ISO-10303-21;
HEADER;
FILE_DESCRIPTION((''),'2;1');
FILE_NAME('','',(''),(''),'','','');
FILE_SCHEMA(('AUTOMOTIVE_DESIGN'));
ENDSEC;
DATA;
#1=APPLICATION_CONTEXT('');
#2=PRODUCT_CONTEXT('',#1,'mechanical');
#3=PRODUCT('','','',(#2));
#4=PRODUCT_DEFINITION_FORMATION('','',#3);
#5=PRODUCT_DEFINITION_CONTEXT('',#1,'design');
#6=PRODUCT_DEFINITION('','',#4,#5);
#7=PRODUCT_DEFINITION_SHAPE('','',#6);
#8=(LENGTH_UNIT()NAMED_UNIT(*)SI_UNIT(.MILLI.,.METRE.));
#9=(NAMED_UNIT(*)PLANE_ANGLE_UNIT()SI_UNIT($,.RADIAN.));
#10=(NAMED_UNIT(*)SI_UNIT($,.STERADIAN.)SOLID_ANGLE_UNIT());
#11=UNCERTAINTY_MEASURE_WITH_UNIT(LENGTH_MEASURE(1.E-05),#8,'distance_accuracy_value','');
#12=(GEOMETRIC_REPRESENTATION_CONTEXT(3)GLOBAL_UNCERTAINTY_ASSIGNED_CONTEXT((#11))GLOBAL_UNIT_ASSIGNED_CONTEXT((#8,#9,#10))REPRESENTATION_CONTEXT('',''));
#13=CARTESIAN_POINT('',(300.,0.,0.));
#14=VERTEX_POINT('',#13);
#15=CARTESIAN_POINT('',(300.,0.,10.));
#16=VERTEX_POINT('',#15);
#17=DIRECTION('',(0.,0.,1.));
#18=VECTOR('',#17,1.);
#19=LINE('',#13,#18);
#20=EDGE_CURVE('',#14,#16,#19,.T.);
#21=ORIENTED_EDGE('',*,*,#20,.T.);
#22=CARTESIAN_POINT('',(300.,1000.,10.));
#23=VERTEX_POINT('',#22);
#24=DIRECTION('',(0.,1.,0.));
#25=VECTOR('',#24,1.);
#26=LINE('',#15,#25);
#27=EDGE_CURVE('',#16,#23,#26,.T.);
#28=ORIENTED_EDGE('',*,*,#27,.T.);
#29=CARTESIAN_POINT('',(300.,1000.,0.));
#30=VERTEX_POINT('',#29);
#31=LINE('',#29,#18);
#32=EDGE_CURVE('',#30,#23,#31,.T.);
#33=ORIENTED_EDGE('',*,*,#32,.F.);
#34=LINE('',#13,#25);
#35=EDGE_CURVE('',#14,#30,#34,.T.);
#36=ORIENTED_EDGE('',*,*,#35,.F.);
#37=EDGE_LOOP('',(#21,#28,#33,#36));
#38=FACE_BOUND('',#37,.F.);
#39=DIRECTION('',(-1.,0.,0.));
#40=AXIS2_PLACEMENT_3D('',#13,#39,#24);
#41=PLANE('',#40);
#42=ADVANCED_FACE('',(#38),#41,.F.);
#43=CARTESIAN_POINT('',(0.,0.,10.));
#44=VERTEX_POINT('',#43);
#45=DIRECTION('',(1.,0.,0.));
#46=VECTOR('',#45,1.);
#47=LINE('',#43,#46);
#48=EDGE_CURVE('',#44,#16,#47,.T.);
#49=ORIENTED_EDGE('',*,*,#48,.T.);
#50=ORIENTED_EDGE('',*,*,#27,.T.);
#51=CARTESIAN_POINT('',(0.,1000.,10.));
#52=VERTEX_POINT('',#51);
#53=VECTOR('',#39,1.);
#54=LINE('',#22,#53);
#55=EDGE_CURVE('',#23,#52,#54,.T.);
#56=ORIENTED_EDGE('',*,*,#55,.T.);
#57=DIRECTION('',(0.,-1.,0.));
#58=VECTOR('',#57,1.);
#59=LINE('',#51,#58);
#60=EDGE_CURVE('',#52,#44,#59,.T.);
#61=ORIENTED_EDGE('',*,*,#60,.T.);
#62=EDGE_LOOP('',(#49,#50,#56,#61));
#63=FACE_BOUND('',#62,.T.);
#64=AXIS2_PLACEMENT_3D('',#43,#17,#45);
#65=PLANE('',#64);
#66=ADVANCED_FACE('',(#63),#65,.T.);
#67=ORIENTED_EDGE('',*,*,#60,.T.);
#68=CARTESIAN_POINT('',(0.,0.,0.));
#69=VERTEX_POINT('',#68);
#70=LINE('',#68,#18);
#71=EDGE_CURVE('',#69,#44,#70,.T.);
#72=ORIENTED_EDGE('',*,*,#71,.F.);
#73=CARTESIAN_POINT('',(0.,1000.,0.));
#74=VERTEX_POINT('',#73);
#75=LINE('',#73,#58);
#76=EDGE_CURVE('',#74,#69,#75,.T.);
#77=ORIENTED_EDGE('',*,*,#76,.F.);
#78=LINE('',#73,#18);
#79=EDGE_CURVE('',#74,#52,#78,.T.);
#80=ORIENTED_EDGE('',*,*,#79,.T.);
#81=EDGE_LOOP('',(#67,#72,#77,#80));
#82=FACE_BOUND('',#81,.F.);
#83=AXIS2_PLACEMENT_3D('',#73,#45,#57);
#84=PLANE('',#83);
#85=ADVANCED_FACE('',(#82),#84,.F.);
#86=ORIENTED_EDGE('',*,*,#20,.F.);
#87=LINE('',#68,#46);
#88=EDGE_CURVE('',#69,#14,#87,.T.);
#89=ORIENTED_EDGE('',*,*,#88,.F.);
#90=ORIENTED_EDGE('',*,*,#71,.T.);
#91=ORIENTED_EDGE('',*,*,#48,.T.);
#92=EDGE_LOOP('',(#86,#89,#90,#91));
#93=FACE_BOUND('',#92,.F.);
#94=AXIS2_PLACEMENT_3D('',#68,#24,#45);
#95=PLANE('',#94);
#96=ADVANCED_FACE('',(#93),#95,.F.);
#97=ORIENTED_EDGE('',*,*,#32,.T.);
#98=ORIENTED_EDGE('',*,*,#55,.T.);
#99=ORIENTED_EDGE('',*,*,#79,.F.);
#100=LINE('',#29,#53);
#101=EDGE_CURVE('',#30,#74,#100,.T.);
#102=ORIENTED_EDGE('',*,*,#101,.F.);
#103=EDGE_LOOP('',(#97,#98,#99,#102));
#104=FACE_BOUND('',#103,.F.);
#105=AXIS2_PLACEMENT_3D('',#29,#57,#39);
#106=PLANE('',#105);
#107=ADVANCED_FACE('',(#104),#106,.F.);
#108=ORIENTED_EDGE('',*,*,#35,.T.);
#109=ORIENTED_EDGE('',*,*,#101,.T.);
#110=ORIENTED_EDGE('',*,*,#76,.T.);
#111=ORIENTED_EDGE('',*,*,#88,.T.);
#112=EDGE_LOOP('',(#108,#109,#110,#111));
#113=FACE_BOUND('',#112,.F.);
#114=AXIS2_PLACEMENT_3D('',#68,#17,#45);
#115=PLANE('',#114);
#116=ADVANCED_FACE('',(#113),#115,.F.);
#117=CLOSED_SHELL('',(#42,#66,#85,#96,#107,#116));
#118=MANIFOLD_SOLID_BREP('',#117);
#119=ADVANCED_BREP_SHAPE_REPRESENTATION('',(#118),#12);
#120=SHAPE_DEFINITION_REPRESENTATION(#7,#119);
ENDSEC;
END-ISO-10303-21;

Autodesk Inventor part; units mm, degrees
ref_plane "YZ Plane" through (0, 0, 0) normal (1, 0, 0) x (0, 1, 0)
ref_plane "XZ Plane" through (0, 0, 0) normal (0, 1, 0) x (-1, 0, 0)
ref_plane "XY Plane" through (0, 0, 0) normal (0, 0, 1) x (1, 0, 0)
sketch "Sketch1" plane through (0, 0, 0) normal (0, 0, 1) x (1, 0, 0)
  line L0 (0, 0) -> (300, 0)
  line L1 (300, 0) -> (300, 1000)
  line L2 (300, 1000) -> (0, 1000)
  line L3 (0, 1000) -> (0, 0)
  dimension "d0" = 300
  dimension "d1" = 1000
extrude "Extrusion1" add sketch "Sketch1" along normal blind 10
properties part number "floor"
